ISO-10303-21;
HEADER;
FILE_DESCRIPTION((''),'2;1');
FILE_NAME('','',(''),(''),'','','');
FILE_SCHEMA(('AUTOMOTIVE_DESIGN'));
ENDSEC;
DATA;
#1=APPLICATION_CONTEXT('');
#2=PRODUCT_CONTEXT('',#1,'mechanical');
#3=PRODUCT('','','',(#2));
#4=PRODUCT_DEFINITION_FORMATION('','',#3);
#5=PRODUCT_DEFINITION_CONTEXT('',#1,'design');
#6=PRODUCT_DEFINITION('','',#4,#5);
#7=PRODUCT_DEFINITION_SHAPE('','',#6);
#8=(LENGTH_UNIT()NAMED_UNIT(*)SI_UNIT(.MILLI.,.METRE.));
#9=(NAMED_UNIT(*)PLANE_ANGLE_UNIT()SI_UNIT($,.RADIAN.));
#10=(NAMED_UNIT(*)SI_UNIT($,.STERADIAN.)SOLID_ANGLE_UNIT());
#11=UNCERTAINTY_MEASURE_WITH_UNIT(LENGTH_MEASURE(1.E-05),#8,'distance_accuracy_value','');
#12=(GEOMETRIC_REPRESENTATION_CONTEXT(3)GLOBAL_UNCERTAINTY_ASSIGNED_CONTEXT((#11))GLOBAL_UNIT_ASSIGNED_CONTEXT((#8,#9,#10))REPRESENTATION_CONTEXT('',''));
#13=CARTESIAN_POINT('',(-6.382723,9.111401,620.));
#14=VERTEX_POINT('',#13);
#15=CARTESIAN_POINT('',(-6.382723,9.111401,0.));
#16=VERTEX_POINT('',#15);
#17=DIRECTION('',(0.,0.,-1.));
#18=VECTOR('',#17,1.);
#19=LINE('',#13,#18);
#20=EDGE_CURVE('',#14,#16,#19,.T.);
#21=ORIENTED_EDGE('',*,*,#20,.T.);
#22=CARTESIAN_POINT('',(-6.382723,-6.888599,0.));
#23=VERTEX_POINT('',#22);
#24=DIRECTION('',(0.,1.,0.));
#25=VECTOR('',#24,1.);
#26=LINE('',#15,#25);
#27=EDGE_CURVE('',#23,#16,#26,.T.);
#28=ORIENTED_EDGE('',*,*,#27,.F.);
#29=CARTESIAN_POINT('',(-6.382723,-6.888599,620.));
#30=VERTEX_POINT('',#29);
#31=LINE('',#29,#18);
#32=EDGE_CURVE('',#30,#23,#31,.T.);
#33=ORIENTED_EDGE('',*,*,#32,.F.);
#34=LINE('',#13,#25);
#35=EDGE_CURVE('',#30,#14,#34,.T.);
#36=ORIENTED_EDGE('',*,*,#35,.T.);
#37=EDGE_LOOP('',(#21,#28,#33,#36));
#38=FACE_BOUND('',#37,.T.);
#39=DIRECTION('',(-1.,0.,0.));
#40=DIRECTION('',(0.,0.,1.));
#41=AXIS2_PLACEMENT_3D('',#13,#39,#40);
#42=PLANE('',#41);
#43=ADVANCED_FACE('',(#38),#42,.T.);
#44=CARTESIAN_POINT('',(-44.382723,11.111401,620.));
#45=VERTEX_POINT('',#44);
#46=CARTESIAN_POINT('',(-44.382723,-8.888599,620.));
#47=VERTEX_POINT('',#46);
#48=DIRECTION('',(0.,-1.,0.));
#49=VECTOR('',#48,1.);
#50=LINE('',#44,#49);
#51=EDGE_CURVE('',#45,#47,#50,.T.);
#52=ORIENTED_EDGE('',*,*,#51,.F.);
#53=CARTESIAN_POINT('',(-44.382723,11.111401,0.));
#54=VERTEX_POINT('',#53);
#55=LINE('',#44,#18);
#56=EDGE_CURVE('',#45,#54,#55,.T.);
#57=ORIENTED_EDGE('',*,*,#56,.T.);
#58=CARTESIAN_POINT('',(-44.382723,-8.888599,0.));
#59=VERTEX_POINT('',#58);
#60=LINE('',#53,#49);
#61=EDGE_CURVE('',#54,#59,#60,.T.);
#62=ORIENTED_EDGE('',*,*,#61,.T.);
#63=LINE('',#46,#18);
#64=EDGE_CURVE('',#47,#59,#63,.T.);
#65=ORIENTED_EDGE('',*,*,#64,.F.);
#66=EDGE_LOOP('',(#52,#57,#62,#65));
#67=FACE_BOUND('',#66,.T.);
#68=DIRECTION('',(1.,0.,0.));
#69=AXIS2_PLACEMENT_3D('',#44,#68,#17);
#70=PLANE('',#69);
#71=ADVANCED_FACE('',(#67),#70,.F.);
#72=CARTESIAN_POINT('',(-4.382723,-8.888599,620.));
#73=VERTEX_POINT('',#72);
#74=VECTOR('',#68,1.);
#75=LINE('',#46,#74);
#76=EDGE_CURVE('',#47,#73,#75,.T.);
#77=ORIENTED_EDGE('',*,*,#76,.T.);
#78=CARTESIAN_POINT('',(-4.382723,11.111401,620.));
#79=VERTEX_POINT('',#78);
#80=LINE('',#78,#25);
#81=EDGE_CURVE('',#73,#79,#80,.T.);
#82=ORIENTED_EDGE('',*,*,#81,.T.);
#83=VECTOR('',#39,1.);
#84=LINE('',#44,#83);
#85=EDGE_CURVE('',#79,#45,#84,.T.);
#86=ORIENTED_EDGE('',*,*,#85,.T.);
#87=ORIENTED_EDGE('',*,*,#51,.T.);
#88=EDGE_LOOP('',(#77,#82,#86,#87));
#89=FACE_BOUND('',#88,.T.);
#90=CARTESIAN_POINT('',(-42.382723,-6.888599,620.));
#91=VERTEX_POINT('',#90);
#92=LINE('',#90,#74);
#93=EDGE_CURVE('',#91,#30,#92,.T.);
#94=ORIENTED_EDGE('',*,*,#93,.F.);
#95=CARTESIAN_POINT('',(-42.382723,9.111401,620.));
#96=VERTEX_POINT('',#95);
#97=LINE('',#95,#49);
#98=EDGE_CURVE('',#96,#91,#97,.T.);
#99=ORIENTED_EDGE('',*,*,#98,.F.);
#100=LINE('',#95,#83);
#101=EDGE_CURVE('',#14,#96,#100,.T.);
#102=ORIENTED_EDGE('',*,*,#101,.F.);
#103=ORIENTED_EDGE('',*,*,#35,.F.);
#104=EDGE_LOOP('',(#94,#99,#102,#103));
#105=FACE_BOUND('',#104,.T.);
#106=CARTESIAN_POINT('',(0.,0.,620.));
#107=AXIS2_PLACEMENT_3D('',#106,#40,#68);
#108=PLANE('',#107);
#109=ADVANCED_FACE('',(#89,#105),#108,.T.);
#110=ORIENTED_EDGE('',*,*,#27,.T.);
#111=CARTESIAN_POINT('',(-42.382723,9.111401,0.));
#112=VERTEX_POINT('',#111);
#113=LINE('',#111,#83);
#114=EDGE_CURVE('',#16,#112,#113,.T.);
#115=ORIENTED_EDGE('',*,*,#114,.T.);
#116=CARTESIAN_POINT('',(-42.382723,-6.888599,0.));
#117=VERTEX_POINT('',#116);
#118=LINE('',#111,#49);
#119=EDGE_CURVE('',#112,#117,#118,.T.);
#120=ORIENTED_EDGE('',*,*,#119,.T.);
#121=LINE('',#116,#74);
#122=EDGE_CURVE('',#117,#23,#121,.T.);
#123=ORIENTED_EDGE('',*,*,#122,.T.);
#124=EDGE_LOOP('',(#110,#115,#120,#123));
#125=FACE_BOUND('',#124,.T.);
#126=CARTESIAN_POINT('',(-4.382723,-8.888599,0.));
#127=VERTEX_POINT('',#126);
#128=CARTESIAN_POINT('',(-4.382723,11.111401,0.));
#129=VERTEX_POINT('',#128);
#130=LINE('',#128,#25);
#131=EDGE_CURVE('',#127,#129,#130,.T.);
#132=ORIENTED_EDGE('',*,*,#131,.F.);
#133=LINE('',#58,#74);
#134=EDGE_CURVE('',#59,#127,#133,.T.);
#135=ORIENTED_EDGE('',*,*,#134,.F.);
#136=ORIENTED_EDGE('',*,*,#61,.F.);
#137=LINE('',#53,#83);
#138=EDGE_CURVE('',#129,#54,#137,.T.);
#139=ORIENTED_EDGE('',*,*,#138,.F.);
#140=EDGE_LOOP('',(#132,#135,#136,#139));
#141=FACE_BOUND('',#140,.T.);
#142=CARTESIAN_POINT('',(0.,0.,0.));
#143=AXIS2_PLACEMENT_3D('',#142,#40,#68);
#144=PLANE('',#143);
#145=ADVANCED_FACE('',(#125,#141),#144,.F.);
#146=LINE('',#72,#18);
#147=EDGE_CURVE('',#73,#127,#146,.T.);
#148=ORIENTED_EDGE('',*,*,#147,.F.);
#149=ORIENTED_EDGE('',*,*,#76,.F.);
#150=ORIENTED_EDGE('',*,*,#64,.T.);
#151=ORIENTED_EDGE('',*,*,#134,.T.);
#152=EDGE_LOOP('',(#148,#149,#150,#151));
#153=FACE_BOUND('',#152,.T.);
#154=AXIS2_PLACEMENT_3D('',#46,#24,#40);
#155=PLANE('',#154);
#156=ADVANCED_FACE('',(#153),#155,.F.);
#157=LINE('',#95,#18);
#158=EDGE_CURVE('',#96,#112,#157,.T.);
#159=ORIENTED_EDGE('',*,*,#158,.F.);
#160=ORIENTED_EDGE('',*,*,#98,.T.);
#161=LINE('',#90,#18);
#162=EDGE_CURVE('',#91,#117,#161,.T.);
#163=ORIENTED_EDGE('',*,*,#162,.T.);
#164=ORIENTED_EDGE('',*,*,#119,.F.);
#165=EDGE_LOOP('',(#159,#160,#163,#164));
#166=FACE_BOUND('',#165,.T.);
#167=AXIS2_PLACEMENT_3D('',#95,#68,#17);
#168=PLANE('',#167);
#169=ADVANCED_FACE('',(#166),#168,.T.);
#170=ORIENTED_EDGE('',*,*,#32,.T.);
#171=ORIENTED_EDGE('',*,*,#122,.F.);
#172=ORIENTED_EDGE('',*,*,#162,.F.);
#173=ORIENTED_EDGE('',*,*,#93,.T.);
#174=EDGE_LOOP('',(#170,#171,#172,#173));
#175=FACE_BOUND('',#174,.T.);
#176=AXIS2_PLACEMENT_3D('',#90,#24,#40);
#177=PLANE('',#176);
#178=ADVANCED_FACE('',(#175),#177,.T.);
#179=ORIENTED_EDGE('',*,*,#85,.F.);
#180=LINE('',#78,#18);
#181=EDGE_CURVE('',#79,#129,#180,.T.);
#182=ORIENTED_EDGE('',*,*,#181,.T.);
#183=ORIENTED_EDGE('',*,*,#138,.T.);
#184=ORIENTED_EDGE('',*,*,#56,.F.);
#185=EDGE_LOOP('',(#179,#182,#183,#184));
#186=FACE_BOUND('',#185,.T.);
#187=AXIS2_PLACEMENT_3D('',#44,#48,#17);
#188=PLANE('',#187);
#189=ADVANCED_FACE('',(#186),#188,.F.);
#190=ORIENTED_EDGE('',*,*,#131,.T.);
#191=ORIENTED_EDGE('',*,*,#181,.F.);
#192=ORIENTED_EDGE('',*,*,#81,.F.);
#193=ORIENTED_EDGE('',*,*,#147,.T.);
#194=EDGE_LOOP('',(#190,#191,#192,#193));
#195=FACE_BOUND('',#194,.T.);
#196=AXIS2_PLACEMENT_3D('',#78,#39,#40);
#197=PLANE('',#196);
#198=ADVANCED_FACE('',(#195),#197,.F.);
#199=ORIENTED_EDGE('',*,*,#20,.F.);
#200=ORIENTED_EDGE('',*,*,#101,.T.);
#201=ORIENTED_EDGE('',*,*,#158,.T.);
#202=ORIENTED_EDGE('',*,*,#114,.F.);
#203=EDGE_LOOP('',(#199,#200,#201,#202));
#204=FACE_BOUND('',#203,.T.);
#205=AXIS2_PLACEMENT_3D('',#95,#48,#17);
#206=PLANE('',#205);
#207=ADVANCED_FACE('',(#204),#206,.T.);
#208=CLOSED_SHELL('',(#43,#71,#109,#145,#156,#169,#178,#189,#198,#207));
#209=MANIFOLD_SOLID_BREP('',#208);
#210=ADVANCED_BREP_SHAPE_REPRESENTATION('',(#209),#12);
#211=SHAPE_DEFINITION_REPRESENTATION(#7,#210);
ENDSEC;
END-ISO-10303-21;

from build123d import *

# Parameters (mm, degrees)
SKETCH_1_W      = 40
SKETCH_1_H      = 20
SKETCH_1_W_2    = 36
SKETCH_1_H_2    = 16
EXTRUDE_1_DEPTH = 620


with BuildPart() as part:
    # Эскиз1 → Бобышка-Вытянуть1 (new body)
    with BuildSketch(Plane.XY):
        with Locations((-24.382722604, 1.111400901)):
            Rectangle(SKETCH_1_W, SKETCH_1_H)
        with Locations((-24.382722604, 1.111400901)):
            Rectangle(SKETCH_1_W_2, SKETCH_1_H_2, mode=Mode.SUBTRACT)
    extrude(amount=EXTRUDE_1_DEPTH)


solid = part.part
